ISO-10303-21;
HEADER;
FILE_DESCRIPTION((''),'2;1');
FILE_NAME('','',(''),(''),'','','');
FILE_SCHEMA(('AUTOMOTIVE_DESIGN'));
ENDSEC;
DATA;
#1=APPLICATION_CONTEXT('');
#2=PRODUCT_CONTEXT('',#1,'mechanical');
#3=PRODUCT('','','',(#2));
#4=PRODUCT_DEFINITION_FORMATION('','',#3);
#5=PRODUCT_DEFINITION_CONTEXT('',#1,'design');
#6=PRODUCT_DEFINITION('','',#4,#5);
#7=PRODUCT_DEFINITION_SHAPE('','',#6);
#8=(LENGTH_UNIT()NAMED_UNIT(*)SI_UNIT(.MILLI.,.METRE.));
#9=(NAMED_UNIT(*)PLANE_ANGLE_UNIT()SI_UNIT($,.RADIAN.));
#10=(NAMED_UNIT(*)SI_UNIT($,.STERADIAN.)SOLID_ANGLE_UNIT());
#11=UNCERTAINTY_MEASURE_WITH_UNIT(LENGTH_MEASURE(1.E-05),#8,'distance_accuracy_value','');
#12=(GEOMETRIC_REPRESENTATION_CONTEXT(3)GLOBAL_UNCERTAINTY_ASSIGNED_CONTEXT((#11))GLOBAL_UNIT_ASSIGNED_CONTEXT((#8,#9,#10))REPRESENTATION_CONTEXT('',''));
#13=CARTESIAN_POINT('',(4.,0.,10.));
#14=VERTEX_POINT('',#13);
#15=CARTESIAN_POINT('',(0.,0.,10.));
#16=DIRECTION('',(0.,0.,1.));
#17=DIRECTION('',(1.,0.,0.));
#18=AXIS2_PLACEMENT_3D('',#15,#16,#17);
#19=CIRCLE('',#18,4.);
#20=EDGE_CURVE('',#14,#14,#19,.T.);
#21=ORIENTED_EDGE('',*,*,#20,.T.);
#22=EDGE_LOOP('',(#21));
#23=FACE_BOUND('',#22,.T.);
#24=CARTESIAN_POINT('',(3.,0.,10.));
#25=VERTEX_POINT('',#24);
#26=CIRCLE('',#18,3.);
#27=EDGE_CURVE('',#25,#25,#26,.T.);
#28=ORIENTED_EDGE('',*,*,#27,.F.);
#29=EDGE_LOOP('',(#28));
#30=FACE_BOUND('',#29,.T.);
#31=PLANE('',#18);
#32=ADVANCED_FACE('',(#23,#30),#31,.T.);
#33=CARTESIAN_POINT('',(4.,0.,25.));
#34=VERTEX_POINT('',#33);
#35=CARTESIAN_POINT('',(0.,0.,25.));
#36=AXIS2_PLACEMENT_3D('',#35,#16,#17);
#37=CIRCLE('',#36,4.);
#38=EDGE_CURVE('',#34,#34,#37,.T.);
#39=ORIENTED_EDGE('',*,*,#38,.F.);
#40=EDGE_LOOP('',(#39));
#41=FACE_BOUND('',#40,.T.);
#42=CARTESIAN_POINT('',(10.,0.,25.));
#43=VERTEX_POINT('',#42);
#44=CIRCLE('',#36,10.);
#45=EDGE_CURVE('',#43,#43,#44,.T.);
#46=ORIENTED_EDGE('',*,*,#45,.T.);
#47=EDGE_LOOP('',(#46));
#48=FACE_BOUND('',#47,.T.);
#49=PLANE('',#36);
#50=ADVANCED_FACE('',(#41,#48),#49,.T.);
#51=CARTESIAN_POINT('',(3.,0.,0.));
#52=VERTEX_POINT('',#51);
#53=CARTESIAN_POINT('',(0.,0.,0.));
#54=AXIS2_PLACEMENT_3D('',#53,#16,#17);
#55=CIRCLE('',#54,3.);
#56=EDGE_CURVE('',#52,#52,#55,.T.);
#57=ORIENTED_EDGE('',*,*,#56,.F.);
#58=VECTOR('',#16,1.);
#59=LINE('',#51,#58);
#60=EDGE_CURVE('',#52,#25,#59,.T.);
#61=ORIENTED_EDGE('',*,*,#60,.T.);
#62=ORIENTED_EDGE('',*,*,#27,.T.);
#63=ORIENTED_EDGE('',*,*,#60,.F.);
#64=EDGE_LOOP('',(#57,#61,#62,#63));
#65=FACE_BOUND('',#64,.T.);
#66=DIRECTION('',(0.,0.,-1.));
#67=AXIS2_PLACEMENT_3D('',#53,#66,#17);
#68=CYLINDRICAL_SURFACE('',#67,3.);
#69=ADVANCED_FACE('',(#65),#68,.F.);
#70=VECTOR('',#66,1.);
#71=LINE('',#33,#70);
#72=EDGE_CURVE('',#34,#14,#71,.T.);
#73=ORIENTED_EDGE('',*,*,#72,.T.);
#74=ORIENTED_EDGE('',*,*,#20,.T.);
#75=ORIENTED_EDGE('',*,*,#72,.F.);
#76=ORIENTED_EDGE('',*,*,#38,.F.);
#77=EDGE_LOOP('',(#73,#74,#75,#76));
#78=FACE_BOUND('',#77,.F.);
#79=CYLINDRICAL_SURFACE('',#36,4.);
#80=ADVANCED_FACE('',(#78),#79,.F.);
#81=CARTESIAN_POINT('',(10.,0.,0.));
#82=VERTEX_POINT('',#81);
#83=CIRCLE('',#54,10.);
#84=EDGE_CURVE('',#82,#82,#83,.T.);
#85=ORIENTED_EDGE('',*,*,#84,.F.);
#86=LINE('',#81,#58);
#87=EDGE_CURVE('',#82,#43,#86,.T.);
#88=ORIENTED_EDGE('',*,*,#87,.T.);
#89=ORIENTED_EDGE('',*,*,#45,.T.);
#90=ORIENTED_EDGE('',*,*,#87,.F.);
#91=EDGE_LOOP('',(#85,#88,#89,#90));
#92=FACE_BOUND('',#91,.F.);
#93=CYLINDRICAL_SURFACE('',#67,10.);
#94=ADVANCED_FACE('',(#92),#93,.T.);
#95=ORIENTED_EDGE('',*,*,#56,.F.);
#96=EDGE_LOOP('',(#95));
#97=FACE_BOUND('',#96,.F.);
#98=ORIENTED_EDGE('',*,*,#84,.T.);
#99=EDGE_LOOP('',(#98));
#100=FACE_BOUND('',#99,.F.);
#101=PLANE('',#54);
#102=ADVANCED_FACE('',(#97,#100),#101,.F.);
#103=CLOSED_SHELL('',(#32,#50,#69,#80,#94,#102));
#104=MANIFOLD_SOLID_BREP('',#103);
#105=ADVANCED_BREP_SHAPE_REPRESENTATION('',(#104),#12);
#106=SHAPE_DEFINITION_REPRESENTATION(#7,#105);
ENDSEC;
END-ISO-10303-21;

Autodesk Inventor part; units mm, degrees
ref_plane "YZ Plane" through (0, 0, 0) normal (1, 0, 0) x (0, 1, 0)
ref_plane "XZ Plane" through (0, 0, 0) normal (0, 1, 0) x (-1, 0, 0)
ref_plane "XY Plane" through (0, 0, 0) normal (0, 0, 1) x (1, 0, 0)
sketch "Sketch1" plane through (0, 0, 0) normal (0, 0, 1) x (1, 0, 0)
  circle A0 centre (0, 0) radius 10
  circle A1 centre (0, 0) radius 3
  dimension "d0" = 20
  dimension "d1" = 6
extrude "Extrusion1" add sketch "Sketch1" along normal blind 25
sketch "Sketch2" plane through (0, 0, 25) normal (0, 0, 1) x (1, 0, 0)
  circle A0 centre (0, 0) radius 3 projected
  circle A1 centre (0, 0) radius 10 projected
  circle A2 centre (0, 0) radius 4
  dimension "d4" = 8
extrude "Extrusion2" cut sketch "Sketch2" against normal blind 15 contours A2
properties part number "6x8 shaft coupler"
